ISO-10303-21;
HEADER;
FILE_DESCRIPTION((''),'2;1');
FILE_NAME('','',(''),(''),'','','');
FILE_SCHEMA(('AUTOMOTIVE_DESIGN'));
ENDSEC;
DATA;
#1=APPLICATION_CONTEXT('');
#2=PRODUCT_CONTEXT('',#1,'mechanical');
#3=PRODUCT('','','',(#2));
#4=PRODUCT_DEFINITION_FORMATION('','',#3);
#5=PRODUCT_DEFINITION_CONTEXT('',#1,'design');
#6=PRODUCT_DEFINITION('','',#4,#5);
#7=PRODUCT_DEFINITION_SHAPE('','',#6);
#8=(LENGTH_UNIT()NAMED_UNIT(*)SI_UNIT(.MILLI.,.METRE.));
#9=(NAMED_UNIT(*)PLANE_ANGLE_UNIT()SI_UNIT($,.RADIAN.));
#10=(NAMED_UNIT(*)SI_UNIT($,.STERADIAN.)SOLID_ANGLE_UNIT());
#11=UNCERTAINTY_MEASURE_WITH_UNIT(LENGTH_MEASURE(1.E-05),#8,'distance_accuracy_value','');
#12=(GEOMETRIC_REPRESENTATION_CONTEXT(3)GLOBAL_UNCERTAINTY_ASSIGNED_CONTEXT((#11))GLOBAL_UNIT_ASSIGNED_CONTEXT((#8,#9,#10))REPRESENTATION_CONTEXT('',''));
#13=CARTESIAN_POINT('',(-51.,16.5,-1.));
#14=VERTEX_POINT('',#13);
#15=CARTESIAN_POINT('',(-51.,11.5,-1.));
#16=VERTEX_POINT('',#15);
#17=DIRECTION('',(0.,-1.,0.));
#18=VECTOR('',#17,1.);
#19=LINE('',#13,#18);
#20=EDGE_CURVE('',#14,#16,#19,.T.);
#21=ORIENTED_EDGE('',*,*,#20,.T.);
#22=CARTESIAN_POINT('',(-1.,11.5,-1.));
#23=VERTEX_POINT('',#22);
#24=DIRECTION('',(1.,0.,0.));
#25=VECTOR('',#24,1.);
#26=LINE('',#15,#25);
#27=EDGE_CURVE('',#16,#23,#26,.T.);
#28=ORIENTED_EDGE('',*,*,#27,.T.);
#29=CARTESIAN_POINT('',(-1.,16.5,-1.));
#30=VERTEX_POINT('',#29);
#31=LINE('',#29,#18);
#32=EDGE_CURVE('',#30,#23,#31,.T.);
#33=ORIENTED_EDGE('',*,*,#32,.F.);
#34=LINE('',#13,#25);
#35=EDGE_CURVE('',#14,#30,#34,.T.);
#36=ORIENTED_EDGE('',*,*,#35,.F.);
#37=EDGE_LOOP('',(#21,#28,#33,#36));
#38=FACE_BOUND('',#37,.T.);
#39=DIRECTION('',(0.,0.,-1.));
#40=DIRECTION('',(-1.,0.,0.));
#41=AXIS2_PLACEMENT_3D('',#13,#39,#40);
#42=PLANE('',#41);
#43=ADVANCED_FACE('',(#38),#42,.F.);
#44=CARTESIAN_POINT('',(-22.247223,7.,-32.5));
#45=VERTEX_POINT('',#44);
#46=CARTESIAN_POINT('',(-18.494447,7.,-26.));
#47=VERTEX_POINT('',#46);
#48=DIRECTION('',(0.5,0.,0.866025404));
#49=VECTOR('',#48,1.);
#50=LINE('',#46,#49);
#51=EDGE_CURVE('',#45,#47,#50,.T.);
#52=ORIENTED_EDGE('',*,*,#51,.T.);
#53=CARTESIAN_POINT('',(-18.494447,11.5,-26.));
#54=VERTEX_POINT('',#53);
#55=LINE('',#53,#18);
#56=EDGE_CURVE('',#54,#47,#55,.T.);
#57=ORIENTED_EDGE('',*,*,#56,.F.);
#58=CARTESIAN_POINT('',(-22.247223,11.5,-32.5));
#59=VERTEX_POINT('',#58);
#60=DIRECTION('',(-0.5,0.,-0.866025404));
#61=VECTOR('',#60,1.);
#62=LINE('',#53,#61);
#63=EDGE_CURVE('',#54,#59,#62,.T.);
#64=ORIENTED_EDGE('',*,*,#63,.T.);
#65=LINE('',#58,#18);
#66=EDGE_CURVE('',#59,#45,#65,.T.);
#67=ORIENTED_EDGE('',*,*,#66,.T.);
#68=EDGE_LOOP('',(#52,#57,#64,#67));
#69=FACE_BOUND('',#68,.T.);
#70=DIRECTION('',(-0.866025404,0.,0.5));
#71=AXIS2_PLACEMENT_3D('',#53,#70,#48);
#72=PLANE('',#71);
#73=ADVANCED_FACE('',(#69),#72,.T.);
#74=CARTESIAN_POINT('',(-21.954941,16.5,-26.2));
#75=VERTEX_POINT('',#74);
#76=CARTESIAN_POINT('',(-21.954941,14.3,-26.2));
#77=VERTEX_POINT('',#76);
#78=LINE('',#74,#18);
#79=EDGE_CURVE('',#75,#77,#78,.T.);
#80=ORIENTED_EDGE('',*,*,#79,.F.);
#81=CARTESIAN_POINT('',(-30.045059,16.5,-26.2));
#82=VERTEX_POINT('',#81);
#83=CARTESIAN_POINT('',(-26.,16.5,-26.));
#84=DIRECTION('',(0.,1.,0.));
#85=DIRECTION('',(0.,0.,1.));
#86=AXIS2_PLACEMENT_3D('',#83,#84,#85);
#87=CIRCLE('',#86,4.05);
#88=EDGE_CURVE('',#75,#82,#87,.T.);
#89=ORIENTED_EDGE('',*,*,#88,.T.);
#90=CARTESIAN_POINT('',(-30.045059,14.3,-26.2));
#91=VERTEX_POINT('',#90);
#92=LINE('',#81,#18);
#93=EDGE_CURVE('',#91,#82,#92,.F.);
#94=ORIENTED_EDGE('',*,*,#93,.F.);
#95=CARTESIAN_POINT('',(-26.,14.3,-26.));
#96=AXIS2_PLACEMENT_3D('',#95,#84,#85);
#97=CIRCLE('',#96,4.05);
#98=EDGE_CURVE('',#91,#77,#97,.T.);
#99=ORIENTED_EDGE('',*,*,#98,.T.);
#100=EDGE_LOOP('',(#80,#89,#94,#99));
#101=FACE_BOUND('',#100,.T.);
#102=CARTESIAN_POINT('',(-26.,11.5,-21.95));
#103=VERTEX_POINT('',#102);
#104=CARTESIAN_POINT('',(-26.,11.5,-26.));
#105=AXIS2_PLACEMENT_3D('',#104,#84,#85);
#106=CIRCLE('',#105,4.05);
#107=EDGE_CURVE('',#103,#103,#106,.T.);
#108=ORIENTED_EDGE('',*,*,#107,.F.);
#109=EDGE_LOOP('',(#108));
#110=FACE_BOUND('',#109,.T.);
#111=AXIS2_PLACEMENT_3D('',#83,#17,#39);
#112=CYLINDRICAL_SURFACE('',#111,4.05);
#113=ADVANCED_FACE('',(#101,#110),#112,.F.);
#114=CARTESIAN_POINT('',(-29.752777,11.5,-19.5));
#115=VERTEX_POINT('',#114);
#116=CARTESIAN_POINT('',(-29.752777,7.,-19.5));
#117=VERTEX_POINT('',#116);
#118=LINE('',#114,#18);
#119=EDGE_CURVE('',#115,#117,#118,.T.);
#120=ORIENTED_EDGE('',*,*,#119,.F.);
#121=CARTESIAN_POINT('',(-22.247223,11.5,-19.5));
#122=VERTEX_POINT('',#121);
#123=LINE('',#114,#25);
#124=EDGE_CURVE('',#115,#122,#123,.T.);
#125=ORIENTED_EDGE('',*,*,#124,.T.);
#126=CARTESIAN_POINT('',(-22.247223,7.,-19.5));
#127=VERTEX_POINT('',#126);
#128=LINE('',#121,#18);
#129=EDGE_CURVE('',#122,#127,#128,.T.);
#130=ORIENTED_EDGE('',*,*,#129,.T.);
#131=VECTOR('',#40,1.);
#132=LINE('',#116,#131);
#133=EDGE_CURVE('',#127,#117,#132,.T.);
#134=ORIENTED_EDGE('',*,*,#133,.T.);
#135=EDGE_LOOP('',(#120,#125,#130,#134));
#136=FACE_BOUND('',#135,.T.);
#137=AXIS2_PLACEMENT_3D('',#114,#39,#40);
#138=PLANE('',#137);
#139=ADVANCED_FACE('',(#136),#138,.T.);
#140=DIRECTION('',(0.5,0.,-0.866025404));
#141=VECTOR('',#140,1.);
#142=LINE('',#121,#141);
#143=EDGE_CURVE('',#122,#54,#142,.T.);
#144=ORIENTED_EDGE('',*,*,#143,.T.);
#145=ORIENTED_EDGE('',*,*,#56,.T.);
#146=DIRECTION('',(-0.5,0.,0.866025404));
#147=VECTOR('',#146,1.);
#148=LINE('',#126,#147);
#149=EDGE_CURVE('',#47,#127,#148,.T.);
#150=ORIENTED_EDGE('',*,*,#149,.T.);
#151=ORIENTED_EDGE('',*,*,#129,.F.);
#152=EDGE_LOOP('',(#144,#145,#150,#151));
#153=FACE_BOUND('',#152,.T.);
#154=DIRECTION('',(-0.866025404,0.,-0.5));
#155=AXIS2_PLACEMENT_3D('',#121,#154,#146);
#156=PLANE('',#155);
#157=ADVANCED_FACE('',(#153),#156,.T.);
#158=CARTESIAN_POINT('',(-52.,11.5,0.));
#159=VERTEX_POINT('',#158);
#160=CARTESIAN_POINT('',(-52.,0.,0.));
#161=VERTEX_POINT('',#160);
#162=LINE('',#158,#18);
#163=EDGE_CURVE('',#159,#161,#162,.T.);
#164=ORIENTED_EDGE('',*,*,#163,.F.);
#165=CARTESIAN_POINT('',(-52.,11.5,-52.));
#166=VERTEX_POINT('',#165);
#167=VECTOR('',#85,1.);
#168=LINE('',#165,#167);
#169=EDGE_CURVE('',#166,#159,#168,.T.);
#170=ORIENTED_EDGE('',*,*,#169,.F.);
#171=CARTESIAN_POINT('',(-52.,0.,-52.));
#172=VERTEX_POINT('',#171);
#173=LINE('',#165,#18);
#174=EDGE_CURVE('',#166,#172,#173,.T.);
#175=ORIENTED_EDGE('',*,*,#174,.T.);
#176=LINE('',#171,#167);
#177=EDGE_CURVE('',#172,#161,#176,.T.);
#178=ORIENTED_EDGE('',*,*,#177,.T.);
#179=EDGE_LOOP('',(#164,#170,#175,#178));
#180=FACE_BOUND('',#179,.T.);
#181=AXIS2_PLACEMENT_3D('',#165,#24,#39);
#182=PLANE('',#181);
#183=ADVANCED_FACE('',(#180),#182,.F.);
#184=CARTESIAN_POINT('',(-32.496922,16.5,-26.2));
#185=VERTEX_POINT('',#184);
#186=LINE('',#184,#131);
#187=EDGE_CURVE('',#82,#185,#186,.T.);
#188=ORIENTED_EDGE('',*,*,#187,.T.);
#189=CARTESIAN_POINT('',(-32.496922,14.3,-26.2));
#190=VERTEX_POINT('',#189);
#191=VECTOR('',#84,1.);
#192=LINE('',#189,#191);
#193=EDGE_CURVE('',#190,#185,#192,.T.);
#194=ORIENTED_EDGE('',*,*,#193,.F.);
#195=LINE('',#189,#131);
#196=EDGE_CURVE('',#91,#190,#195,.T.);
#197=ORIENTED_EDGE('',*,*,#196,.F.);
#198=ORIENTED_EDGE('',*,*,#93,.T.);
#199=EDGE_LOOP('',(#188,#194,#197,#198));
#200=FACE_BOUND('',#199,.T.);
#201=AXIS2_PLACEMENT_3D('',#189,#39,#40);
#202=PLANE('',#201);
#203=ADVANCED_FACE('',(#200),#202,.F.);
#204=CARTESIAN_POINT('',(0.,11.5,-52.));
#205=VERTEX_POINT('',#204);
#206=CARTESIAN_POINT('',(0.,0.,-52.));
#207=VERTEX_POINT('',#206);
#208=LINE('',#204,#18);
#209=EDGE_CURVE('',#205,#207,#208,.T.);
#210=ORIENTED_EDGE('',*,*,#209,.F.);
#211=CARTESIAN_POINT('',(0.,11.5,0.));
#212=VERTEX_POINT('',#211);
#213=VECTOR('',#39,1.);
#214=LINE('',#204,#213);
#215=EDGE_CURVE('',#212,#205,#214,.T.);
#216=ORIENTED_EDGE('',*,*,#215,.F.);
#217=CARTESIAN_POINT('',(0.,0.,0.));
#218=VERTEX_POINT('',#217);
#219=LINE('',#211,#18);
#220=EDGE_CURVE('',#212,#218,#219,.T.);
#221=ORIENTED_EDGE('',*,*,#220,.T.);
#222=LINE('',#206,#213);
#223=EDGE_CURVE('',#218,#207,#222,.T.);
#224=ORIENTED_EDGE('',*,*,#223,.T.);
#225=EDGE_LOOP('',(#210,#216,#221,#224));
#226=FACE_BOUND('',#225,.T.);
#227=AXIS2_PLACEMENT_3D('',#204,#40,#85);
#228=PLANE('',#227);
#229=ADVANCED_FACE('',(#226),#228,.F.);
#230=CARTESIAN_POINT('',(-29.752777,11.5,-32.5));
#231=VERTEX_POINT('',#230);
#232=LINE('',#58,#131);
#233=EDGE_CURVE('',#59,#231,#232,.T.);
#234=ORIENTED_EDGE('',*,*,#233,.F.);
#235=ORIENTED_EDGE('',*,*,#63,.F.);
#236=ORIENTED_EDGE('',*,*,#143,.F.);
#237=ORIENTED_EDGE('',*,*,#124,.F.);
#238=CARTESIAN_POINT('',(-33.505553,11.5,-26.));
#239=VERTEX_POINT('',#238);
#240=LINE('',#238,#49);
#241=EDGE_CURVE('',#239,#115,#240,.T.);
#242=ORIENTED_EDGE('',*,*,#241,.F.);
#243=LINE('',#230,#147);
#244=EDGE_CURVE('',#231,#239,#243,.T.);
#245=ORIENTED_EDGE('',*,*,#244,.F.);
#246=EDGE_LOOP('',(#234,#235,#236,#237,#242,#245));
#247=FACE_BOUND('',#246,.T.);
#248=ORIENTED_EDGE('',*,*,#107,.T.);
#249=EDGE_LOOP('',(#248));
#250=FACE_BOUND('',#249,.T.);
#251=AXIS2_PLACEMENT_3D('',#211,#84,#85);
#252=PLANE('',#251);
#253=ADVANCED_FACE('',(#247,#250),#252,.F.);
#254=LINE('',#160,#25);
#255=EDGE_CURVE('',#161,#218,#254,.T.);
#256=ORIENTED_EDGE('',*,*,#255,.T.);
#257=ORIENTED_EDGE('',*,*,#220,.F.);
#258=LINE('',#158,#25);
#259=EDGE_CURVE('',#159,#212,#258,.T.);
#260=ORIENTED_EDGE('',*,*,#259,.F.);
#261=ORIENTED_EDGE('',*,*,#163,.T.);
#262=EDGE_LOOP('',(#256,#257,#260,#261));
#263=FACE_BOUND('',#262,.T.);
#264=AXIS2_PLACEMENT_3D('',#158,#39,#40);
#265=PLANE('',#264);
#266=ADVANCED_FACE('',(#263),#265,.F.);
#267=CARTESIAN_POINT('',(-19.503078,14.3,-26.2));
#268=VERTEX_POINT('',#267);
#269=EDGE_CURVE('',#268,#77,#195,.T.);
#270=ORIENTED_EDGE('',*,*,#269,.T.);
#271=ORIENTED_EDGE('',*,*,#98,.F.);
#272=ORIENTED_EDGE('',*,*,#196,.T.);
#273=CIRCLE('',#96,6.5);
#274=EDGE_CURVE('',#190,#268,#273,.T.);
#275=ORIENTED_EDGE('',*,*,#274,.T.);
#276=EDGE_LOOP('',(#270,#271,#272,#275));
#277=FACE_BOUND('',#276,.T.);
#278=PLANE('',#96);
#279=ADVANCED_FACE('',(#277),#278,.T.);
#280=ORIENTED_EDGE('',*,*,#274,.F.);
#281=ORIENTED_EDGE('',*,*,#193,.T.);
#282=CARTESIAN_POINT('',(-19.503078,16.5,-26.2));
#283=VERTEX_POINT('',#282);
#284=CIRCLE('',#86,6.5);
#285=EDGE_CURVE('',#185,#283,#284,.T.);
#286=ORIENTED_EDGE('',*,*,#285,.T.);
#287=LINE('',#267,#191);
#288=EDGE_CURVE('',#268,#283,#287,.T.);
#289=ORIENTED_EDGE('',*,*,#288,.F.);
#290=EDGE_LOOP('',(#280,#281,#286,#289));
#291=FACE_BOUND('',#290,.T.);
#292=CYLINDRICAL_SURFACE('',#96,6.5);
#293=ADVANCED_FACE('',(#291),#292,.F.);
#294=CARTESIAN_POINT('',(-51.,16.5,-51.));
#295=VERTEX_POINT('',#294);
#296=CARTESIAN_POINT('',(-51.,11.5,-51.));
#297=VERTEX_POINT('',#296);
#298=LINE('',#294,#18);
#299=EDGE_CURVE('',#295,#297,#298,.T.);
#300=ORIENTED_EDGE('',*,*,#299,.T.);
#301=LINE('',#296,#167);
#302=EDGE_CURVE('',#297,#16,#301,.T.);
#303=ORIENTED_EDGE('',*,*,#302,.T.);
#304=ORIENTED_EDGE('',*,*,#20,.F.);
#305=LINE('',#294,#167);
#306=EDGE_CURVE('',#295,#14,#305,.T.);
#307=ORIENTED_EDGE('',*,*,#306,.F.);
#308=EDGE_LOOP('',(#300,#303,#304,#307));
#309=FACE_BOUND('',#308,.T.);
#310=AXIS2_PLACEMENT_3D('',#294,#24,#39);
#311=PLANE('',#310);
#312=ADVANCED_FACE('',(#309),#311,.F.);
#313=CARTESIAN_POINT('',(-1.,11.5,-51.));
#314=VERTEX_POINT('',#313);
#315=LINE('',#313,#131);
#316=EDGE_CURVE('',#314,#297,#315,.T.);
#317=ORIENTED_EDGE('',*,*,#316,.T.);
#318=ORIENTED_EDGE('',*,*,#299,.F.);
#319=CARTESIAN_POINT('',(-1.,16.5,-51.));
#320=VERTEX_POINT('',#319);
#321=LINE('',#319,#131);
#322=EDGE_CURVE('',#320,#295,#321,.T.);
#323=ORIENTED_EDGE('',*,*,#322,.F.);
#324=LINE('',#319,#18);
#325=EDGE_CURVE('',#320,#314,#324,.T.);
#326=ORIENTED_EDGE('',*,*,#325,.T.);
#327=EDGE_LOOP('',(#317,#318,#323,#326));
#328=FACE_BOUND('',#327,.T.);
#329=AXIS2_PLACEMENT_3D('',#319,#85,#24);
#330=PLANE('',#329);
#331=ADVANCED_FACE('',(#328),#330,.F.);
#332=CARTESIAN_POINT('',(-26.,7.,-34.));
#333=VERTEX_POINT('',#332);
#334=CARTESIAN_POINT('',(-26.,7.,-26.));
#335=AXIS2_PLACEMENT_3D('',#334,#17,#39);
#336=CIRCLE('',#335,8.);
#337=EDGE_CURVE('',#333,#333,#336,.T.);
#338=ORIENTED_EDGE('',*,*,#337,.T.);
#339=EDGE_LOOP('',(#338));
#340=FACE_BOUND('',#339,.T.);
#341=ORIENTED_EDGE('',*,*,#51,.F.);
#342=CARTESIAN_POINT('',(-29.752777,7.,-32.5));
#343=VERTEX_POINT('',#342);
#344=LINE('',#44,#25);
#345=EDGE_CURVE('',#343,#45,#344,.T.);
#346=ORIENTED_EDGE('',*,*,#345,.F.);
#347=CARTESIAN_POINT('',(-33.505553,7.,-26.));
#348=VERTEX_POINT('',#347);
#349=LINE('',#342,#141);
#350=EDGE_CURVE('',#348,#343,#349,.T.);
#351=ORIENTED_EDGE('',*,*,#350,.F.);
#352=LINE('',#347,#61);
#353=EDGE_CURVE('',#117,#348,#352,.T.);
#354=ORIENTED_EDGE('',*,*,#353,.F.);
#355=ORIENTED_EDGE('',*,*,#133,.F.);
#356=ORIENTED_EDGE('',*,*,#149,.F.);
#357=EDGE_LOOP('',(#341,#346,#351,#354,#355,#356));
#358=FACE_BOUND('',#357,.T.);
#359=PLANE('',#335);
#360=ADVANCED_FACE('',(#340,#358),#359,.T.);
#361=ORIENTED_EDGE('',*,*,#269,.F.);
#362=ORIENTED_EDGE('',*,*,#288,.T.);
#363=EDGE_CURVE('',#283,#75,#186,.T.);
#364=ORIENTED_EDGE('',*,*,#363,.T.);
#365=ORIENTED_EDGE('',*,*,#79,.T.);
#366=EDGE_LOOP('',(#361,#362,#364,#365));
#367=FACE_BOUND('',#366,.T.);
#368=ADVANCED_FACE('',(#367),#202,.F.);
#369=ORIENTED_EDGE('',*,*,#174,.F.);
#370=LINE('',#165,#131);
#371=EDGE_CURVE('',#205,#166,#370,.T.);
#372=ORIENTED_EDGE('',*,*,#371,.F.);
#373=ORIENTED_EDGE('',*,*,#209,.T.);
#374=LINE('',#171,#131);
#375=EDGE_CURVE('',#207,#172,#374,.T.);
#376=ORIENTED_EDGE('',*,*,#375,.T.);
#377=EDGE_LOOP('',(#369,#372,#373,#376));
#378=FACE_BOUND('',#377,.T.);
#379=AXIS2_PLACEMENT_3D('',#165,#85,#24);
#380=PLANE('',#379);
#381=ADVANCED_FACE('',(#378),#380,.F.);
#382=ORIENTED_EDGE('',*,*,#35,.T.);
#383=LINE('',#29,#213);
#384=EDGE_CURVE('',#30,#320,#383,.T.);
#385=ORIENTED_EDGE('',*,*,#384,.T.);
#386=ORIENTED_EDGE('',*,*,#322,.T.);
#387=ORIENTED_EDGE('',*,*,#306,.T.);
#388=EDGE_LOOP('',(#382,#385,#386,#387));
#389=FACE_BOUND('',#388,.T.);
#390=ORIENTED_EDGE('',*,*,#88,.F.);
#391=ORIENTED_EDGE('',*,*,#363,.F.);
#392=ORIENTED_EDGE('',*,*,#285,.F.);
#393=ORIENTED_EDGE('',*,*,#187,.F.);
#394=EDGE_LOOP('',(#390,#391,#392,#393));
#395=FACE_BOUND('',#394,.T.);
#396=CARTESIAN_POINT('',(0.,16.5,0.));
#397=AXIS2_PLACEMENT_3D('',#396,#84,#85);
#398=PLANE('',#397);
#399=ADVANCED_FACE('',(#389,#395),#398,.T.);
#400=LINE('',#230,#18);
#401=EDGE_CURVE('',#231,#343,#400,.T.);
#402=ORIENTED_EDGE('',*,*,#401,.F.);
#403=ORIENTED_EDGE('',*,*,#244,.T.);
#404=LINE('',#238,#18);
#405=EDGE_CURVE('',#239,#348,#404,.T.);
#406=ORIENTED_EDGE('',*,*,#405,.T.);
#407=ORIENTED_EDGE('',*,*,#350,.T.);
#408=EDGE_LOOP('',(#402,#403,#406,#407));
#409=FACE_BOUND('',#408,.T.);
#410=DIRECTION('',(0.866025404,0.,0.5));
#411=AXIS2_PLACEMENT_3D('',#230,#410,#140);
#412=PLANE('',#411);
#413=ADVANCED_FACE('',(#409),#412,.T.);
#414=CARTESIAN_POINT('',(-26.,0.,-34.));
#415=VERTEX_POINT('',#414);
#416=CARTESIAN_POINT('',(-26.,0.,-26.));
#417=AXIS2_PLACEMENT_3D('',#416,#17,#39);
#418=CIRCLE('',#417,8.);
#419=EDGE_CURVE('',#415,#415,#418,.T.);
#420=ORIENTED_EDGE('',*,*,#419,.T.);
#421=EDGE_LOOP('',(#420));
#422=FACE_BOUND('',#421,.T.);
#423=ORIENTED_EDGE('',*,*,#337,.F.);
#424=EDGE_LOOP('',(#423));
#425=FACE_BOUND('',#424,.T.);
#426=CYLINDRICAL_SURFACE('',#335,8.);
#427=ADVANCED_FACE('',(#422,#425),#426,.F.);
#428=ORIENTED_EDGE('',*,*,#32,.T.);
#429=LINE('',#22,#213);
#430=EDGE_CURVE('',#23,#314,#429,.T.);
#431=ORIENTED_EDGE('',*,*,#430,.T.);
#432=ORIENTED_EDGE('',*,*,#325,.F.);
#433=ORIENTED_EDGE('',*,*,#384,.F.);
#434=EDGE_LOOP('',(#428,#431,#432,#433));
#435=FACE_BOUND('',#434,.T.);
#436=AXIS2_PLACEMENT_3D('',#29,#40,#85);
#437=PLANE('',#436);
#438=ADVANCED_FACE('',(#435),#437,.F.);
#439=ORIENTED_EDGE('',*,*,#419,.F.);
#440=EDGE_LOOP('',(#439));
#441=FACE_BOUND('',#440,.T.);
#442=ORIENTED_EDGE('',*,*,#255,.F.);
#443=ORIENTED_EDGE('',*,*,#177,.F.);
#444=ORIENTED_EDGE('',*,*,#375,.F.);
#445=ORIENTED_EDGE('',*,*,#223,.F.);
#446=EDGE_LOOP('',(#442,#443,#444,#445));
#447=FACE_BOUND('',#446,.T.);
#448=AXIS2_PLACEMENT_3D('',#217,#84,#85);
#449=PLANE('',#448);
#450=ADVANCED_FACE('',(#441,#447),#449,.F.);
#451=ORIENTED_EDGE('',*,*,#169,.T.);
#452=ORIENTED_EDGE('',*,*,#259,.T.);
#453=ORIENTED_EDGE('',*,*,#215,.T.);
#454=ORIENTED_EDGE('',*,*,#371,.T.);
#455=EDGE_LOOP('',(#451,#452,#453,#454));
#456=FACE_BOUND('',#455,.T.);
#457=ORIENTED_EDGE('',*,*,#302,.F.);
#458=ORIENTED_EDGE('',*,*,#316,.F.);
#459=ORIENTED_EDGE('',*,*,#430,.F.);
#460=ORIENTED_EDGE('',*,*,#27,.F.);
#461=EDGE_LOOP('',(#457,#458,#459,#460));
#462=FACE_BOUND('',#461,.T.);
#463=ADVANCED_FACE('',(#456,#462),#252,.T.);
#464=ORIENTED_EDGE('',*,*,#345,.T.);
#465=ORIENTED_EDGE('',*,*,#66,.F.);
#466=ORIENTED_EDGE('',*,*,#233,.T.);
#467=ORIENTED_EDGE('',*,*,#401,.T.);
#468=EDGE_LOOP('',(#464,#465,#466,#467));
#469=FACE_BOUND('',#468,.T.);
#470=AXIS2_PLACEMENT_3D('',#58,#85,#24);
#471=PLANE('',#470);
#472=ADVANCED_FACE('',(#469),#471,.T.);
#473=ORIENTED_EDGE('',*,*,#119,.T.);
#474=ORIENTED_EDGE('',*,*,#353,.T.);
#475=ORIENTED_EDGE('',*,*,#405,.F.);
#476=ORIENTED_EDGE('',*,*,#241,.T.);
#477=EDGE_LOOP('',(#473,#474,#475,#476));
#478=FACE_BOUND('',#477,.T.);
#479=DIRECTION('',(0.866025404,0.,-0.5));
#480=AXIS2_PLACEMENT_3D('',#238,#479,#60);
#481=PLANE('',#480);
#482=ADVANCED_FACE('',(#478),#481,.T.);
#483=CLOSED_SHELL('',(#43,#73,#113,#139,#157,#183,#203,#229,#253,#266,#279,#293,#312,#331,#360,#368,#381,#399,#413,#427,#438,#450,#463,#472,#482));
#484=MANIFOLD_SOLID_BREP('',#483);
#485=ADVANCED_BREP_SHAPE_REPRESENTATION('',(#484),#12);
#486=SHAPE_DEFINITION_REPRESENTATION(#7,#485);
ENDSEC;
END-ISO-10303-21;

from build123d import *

# Parameters (mm, degrees)
SKETCH1_W           = 52
SKETCH1_H           = 52
BOSS_EXTRUDE1_DEPTH = 11.5
SKETCH2_W           = 50
SKETCH2_H           = 50
SKETCH2_R           = 4.05
BOSS_EXTRUDE2_DEPTH = 5
SKETCH3_R           = 8
CUT_EXTRUDE1_DEPTH  = 7
CUT_EXTRUDE2_DEPTH  = 2.2


with BuildPart() as part:
    # Sketch1 → Boss-Extrude1 (new body)
    with BuildSketch(Plane(origin=(0, 0, 0), x_dir=(1, 0, 0), z_dir=(0, 1, 0))):
        with Locations((-26, 26)):
            Rectangle(SKETCH1_W, SKETCH1_H)
        Polygon((-18.494446501, 26), (-22.24722325, 32.5), (-29.75277675, 32.5), (-33.505553499, 26), (-29.75277675, 19.5), (-22.24722325, 19.5), align=None, mode=Mode.SUBTRACT)
    extrude(amount=BOSS_EXTRUDE1_DEPTH)

    # Sketch2 → Boss-Extrude2 (add)
    with BuildSketch(Plane(origin=(0, 11.5, 0), x_dir=(1, 0, 0), z_dir=(0, 1, 0))):
        with Locations((-26, 26)):
            Rectangle(SKETCH2_W, SKETCH2_H)
        with Locations(Location((-26, 26, 0), (0, 0, 270))):
            Circle(SKETCH2_R, mode=Mode.SUBTRACT)
    extrude(amount=BOSS_EXTRUDE2_DEPTH)

    # Sketch3 → Cut-Extrude1 (cut)
    with BuildSketch(Plane.XZ):
        with Locations(Location((-26, -26, 0), (0, 0, 270))):
            Circle(SKETCH3_R)
    extrude(amount=-CUT_EXTRUDE1_DEPTH, mode=Mode.SUBTRACT)

    # Sketch4 → Cut-Extrude2 (cut)
    with BuildSketch(Plane(origin=(0, 16.5, 0), x_dir=(1, 0, 0), z_dir=(0, 1, 0))):
        with BuildLine():
            Line((-32.496922348, 26.2), (-19.503077652, 26.2))
            ThreePointArc((-19.503077652, 26.2), (-26, 19.5), (-32.496922348, 26.2))
        make_face()
    extrude(amount=-CUT_EXTRUDE2_DEPTH, mode=Mode.SUBTRACT)


solid = part.part
